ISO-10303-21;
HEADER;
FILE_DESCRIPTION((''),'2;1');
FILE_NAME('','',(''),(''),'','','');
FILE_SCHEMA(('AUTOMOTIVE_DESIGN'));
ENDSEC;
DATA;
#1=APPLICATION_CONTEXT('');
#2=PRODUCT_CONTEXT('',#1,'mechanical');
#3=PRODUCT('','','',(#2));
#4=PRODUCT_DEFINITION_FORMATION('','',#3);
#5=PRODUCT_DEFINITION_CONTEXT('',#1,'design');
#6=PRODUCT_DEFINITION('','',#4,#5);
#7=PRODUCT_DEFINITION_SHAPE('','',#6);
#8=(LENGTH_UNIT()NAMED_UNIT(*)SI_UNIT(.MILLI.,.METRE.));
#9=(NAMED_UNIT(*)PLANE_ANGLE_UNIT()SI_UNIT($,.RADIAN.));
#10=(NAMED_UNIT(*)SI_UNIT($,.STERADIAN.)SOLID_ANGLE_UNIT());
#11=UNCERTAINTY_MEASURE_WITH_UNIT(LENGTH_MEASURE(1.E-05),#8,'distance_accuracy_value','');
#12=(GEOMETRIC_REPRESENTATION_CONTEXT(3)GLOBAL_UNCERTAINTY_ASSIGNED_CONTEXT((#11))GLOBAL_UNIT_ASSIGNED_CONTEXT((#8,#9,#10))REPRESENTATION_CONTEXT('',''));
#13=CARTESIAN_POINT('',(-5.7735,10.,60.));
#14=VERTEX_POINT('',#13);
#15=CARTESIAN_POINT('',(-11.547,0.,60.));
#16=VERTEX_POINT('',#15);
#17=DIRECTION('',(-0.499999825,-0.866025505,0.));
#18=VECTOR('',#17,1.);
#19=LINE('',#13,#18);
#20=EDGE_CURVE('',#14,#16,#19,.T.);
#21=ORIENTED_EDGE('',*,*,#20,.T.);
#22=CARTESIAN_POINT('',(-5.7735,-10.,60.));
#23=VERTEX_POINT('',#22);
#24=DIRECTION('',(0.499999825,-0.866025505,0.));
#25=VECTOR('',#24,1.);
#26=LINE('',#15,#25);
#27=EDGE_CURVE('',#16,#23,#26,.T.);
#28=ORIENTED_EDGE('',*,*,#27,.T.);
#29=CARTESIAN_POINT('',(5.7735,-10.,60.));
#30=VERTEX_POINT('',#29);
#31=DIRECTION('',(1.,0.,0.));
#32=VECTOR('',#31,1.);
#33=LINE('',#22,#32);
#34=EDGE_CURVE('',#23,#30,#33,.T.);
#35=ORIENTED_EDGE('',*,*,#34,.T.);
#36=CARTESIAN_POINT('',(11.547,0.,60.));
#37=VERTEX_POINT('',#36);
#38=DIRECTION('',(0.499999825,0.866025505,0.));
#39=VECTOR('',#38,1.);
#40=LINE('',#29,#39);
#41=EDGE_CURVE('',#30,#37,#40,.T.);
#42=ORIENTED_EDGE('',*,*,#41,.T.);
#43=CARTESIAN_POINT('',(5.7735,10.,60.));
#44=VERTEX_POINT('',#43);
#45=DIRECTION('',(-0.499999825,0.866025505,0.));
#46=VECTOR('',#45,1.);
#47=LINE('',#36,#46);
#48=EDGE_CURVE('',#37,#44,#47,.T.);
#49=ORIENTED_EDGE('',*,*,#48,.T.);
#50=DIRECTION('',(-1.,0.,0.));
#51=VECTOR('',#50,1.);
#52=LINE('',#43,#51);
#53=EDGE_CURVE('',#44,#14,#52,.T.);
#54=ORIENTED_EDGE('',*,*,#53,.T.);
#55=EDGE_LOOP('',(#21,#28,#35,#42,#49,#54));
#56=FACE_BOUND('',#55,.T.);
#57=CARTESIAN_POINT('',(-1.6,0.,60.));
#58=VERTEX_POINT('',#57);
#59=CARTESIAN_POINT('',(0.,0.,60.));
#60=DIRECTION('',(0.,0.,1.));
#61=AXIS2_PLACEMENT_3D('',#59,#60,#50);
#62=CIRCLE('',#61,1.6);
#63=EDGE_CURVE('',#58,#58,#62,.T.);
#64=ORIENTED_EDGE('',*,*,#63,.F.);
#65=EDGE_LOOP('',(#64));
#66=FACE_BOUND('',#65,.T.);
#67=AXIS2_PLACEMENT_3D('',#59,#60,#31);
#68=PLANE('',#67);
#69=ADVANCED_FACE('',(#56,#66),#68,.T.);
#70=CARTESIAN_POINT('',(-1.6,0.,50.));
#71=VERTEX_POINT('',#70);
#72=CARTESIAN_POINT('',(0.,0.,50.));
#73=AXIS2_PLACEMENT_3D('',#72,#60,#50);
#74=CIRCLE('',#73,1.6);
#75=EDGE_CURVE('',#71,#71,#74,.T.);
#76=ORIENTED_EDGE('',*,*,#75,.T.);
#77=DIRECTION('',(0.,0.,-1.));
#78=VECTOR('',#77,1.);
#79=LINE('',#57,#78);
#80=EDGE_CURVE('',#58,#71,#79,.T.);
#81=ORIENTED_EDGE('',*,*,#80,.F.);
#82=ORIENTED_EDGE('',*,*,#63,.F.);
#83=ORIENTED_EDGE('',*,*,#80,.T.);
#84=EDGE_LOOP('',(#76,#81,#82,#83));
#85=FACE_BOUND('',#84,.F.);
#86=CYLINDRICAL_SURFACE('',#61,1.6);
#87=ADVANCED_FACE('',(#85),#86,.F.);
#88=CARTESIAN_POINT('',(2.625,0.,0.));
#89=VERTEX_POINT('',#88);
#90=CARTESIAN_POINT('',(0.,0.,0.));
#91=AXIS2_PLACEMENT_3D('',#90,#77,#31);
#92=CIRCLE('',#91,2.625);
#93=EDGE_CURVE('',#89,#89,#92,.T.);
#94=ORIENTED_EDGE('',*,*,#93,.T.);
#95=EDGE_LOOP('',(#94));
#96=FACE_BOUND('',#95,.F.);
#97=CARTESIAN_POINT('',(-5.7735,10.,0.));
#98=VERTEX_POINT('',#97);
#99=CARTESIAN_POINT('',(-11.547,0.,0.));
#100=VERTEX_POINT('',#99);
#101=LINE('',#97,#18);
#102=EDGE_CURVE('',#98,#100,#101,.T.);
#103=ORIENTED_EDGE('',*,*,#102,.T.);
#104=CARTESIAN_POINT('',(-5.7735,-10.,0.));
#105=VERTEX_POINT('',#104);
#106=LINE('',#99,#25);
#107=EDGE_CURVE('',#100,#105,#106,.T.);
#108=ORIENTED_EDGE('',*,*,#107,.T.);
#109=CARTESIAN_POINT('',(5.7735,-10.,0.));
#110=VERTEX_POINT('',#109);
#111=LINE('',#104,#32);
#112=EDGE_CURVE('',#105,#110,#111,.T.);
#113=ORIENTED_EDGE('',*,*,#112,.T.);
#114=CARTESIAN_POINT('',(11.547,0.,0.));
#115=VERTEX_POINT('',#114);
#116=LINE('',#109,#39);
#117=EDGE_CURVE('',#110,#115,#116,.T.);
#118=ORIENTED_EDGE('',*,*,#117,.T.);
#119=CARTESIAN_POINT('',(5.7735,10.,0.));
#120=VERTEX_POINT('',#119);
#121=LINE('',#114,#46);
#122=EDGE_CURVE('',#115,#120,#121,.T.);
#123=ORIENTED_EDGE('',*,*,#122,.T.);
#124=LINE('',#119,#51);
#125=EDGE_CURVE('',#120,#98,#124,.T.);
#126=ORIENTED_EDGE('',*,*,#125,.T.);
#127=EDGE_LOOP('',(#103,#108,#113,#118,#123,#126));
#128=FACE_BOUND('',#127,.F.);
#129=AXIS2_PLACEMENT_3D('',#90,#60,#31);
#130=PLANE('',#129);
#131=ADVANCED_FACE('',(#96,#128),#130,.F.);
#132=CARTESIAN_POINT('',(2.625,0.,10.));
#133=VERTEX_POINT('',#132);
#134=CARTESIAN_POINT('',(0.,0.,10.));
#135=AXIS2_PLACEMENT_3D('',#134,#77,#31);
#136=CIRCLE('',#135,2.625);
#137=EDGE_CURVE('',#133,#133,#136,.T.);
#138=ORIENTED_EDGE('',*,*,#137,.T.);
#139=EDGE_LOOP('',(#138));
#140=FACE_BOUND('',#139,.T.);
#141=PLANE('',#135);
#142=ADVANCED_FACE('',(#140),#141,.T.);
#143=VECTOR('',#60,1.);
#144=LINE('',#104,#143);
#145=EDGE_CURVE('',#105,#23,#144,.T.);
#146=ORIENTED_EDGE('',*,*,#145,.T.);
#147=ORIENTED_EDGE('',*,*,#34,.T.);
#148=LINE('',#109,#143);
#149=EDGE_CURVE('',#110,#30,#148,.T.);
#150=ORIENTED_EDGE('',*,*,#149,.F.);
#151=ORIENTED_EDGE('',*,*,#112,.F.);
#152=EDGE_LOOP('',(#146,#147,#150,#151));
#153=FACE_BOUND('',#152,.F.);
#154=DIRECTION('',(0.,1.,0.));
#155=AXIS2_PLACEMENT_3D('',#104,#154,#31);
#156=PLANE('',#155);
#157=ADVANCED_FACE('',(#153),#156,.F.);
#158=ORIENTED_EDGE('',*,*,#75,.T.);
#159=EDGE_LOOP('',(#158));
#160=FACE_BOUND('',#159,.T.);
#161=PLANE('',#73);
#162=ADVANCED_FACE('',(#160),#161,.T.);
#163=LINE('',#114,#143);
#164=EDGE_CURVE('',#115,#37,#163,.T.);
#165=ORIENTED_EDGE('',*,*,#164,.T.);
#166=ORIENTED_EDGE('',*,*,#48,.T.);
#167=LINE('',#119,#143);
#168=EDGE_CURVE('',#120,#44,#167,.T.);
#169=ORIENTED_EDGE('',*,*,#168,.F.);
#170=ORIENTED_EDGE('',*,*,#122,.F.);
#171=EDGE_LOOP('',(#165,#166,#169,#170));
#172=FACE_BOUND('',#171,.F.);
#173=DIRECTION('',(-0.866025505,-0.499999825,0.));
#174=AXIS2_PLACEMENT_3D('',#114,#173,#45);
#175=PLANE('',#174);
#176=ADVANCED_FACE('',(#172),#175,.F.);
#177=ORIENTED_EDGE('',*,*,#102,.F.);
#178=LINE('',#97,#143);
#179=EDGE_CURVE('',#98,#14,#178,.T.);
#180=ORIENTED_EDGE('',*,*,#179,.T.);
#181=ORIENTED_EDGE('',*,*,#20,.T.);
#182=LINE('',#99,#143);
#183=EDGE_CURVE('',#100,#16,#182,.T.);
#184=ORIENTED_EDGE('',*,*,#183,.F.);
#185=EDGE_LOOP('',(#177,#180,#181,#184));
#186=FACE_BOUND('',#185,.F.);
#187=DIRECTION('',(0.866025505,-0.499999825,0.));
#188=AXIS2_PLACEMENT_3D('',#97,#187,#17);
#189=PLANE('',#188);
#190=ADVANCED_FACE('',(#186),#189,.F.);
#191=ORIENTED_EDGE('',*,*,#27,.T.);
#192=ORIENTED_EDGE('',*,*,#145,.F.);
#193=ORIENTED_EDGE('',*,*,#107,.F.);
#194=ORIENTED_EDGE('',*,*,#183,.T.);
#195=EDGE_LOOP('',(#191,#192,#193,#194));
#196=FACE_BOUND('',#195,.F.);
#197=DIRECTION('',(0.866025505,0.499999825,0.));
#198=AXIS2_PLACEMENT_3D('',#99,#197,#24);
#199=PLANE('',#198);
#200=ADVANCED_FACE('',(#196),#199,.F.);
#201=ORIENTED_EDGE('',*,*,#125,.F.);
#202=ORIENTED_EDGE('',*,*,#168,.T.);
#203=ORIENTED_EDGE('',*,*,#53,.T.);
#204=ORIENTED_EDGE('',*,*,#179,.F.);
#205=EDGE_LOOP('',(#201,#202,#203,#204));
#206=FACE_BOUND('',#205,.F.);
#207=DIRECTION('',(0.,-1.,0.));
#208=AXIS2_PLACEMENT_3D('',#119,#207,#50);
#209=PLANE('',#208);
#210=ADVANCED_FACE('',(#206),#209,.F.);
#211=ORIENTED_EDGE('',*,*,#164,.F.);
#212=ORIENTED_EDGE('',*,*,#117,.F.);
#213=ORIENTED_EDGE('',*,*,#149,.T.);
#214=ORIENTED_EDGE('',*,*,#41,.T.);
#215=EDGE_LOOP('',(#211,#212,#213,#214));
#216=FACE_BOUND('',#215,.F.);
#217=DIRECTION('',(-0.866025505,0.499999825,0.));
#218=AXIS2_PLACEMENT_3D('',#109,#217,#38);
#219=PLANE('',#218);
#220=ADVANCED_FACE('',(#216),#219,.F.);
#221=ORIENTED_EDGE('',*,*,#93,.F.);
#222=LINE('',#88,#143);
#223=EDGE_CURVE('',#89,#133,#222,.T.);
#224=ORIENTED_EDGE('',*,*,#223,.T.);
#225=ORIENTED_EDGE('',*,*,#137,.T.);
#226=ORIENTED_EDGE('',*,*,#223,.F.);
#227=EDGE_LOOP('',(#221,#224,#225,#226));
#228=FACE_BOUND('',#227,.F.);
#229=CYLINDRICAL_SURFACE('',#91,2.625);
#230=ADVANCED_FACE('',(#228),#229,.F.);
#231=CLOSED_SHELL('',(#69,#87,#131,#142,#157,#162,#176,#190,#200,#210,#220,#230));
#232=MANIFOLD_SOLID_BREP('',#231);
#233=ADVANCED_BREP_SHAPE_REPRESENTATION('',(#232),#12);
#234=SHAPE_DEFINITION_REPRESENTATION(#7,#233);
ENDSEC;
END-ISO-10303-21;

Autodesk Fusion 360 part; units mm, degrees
sketch "Sketch1" plane through (0, 0, 0) normal (0, 0, 1) x (1, 0, 0)
  line L0 (-5.7735, 10) -> (-11.547, 0)
  line L1 (-11.547, 0) -> (-5.7735, -10)
  line L2 (-5.7735, -10) -> (5.7735, -10)
  line L3 (5.7735, -10) -> (11.547, 0)
  line L4 (11.547, 0) -> (5.7735, 10)
  line L5 (5.7735, 10) -> (-5.7735, 10)
  dimension "d1" = 10
extrude "Extrude1" add sketch "Sketch1" along normal blind 60
sketch "Sketch2" plane through (0, 0, 60) normal (0, 0, 1) x (-1, 0, 0)
  line L0 (-5.7735, -10) -> (5.7735, -10)
  line L1 (5.7735, -10) -> (11.547, 0)
  line L2 (11.547, 0) -> (5.7735, 10)
  line L3 (5.7735, 10) -> (-5.7735, 10)
  line L4 (-5.7735, 10) -> (-11.547, 0)
  line L5 (-11.547, 0) -> (-5.7735, -10)
  circle A0 centre (0, 0) radius 1.6
  dimension "d4" = 3.2
extrude "Extrude3" cut sketch "Sketch2" against normal blind 10 contours A0
sketch "Sketch4" plane through (0, 0, 0) normal (0, 0, -1) x (1, 0, 0)
  line L0 (-5.7735, -10) -> (5.7735, -10)
  line L1 (5.7735, -10) -> (11.547, 0)
  line L2 (11.547, 0) -> (5.7735, 10)
  line L3 (5.7735, 10) -> (-5.7735, 10)
  line L4 (-5.7735, 10) -> (-11.547, 0)
  line L5 (-11.547, 0) -> (-5.7735, -10)
  circle A0 centre (0, 0) radius 2.625
  dimension "d9" = 5.25
extrude "Extrude4" cut sketch "Sketch4" against normal blind 10 contours A0
